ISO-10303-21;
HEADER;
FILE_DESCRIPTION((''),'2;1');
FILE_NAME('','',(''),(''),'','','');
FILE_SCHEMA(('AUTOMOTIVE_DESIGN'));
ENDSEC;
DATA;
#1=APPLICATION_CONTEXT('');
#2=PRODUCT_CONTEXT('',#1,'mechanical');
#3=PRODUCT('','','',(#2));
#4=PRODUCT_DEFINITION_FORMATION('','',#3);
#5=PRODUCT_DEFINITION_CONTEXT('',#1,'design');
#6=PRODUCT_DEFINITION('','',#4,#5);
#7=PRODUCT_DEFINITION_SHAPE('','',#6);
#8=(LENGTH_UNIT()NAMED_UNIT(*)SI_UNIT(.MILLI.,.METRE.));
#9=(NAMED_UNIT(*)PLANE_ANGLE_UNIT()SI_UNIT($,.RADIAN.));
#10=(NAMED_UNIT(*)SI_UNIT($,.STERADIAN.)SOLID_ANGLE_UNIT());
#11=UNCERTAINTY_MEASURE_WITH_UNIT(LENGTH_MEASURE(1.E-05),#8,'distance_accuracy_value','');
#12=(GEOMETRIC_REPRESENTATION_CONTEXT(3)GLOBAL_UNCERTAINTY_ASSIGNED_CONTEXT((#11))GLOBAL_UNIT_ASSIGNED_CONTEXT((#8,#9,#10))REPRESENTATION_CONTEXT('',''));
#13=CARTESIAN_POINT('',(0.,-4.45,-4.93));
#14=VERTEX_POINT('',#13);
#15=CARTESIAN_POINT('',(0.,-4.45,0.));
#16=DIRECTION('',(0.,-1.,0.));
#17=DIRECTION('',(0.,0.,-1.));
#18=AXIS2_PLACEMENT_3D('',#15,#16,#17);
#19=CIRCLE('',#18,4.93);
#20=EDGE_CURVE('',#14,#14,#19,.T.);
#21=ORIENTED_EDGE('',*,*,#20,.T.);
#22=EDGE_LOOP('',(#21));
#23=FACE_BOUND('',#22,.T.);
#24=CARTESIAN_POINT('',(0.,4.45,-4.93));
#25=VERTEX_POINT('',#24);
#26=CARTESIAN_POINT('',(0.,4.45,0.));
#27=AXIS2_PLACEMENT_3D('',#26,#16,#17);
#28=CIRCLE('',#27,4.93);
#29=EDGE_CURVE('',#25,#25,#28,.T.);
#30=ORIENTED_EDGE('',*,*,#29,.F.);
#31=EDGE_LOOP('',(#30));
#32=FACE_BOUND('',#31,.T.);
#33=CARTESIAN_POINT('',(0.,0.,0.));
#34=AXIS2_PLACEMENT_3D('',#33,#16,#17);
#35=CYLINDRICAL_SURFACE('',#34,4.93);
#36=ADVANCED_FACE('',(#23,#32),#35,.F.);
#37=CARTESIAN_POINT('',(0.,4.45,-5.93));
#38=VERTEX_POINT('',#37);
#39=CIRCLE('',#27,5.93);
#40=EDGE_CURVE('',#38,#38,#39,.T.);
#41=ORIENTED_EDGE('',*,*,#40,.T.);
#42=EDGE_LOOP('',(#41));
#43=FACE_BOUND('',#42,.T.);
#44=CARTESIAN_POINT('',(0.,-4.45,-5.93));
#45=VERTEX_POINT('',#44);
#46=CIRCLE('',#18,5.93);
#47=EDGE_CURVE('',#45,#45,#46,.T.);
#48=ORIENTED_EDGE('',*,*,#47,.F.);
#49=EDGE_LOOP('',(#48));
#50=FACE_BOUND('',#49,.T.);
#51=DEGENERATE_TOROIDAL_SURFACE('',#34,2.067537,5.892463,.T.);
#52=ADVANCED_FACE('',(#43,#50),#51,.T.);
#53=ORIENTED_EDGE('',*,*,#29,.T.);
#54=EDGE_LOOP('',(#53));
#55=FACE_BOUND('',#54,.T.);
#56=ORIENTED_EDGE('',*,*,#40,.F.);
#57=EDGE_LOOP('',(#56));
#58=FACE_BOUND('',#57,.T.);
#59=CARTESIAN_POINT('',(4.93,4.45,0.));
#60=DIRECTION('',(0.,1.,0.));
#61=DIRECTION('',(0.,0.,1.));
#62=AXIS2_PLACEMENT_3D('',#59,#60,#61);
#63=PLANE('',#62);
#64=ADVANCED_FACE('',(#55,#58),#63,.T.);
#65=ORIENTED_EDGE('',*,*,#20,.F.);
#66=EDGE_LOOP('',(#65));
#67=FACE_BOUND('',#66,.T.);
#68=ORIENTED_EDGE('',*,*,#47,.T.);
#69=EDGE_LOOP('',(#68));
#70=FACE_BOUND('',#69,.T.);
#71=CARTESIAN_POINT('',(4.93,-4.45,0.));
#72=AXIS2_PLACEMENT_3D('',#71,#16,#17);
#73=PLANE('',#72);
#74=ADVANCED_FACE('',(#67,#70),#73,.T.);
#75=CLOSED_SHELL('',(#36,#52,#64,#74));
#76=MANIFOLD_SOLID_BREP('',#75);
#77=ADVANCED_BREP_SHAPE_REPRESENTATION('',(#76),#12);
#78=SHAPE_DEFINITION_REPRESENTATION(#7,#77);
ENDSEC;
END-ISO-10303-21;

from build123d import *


with BuildPart() as part:
    # Sketch1 → Revolve1 (revolve)
    with BuildSketch(Plane.XY, mode=Mode.PRIVATE) as revolve1_sk:
        with BuildLine():
            Line((4.93, -4.45), (4.93, 4.45))
            Line((4.93, 4.45), (5.93, 4.45))
            ThreePointArc((5.93, 4.45), (7.96, 0), (5.93, -4.45))
            Line((5.93, -4.45), (4.93, -4.45))
        make_face()
    revolve(revolve1_sk.sketch.rotate(Axis((0, 0, 0), (0, 1, 0)), 90), axis=Axis((0, 0, 0), (0, 1, 0)))


solid = part.part
